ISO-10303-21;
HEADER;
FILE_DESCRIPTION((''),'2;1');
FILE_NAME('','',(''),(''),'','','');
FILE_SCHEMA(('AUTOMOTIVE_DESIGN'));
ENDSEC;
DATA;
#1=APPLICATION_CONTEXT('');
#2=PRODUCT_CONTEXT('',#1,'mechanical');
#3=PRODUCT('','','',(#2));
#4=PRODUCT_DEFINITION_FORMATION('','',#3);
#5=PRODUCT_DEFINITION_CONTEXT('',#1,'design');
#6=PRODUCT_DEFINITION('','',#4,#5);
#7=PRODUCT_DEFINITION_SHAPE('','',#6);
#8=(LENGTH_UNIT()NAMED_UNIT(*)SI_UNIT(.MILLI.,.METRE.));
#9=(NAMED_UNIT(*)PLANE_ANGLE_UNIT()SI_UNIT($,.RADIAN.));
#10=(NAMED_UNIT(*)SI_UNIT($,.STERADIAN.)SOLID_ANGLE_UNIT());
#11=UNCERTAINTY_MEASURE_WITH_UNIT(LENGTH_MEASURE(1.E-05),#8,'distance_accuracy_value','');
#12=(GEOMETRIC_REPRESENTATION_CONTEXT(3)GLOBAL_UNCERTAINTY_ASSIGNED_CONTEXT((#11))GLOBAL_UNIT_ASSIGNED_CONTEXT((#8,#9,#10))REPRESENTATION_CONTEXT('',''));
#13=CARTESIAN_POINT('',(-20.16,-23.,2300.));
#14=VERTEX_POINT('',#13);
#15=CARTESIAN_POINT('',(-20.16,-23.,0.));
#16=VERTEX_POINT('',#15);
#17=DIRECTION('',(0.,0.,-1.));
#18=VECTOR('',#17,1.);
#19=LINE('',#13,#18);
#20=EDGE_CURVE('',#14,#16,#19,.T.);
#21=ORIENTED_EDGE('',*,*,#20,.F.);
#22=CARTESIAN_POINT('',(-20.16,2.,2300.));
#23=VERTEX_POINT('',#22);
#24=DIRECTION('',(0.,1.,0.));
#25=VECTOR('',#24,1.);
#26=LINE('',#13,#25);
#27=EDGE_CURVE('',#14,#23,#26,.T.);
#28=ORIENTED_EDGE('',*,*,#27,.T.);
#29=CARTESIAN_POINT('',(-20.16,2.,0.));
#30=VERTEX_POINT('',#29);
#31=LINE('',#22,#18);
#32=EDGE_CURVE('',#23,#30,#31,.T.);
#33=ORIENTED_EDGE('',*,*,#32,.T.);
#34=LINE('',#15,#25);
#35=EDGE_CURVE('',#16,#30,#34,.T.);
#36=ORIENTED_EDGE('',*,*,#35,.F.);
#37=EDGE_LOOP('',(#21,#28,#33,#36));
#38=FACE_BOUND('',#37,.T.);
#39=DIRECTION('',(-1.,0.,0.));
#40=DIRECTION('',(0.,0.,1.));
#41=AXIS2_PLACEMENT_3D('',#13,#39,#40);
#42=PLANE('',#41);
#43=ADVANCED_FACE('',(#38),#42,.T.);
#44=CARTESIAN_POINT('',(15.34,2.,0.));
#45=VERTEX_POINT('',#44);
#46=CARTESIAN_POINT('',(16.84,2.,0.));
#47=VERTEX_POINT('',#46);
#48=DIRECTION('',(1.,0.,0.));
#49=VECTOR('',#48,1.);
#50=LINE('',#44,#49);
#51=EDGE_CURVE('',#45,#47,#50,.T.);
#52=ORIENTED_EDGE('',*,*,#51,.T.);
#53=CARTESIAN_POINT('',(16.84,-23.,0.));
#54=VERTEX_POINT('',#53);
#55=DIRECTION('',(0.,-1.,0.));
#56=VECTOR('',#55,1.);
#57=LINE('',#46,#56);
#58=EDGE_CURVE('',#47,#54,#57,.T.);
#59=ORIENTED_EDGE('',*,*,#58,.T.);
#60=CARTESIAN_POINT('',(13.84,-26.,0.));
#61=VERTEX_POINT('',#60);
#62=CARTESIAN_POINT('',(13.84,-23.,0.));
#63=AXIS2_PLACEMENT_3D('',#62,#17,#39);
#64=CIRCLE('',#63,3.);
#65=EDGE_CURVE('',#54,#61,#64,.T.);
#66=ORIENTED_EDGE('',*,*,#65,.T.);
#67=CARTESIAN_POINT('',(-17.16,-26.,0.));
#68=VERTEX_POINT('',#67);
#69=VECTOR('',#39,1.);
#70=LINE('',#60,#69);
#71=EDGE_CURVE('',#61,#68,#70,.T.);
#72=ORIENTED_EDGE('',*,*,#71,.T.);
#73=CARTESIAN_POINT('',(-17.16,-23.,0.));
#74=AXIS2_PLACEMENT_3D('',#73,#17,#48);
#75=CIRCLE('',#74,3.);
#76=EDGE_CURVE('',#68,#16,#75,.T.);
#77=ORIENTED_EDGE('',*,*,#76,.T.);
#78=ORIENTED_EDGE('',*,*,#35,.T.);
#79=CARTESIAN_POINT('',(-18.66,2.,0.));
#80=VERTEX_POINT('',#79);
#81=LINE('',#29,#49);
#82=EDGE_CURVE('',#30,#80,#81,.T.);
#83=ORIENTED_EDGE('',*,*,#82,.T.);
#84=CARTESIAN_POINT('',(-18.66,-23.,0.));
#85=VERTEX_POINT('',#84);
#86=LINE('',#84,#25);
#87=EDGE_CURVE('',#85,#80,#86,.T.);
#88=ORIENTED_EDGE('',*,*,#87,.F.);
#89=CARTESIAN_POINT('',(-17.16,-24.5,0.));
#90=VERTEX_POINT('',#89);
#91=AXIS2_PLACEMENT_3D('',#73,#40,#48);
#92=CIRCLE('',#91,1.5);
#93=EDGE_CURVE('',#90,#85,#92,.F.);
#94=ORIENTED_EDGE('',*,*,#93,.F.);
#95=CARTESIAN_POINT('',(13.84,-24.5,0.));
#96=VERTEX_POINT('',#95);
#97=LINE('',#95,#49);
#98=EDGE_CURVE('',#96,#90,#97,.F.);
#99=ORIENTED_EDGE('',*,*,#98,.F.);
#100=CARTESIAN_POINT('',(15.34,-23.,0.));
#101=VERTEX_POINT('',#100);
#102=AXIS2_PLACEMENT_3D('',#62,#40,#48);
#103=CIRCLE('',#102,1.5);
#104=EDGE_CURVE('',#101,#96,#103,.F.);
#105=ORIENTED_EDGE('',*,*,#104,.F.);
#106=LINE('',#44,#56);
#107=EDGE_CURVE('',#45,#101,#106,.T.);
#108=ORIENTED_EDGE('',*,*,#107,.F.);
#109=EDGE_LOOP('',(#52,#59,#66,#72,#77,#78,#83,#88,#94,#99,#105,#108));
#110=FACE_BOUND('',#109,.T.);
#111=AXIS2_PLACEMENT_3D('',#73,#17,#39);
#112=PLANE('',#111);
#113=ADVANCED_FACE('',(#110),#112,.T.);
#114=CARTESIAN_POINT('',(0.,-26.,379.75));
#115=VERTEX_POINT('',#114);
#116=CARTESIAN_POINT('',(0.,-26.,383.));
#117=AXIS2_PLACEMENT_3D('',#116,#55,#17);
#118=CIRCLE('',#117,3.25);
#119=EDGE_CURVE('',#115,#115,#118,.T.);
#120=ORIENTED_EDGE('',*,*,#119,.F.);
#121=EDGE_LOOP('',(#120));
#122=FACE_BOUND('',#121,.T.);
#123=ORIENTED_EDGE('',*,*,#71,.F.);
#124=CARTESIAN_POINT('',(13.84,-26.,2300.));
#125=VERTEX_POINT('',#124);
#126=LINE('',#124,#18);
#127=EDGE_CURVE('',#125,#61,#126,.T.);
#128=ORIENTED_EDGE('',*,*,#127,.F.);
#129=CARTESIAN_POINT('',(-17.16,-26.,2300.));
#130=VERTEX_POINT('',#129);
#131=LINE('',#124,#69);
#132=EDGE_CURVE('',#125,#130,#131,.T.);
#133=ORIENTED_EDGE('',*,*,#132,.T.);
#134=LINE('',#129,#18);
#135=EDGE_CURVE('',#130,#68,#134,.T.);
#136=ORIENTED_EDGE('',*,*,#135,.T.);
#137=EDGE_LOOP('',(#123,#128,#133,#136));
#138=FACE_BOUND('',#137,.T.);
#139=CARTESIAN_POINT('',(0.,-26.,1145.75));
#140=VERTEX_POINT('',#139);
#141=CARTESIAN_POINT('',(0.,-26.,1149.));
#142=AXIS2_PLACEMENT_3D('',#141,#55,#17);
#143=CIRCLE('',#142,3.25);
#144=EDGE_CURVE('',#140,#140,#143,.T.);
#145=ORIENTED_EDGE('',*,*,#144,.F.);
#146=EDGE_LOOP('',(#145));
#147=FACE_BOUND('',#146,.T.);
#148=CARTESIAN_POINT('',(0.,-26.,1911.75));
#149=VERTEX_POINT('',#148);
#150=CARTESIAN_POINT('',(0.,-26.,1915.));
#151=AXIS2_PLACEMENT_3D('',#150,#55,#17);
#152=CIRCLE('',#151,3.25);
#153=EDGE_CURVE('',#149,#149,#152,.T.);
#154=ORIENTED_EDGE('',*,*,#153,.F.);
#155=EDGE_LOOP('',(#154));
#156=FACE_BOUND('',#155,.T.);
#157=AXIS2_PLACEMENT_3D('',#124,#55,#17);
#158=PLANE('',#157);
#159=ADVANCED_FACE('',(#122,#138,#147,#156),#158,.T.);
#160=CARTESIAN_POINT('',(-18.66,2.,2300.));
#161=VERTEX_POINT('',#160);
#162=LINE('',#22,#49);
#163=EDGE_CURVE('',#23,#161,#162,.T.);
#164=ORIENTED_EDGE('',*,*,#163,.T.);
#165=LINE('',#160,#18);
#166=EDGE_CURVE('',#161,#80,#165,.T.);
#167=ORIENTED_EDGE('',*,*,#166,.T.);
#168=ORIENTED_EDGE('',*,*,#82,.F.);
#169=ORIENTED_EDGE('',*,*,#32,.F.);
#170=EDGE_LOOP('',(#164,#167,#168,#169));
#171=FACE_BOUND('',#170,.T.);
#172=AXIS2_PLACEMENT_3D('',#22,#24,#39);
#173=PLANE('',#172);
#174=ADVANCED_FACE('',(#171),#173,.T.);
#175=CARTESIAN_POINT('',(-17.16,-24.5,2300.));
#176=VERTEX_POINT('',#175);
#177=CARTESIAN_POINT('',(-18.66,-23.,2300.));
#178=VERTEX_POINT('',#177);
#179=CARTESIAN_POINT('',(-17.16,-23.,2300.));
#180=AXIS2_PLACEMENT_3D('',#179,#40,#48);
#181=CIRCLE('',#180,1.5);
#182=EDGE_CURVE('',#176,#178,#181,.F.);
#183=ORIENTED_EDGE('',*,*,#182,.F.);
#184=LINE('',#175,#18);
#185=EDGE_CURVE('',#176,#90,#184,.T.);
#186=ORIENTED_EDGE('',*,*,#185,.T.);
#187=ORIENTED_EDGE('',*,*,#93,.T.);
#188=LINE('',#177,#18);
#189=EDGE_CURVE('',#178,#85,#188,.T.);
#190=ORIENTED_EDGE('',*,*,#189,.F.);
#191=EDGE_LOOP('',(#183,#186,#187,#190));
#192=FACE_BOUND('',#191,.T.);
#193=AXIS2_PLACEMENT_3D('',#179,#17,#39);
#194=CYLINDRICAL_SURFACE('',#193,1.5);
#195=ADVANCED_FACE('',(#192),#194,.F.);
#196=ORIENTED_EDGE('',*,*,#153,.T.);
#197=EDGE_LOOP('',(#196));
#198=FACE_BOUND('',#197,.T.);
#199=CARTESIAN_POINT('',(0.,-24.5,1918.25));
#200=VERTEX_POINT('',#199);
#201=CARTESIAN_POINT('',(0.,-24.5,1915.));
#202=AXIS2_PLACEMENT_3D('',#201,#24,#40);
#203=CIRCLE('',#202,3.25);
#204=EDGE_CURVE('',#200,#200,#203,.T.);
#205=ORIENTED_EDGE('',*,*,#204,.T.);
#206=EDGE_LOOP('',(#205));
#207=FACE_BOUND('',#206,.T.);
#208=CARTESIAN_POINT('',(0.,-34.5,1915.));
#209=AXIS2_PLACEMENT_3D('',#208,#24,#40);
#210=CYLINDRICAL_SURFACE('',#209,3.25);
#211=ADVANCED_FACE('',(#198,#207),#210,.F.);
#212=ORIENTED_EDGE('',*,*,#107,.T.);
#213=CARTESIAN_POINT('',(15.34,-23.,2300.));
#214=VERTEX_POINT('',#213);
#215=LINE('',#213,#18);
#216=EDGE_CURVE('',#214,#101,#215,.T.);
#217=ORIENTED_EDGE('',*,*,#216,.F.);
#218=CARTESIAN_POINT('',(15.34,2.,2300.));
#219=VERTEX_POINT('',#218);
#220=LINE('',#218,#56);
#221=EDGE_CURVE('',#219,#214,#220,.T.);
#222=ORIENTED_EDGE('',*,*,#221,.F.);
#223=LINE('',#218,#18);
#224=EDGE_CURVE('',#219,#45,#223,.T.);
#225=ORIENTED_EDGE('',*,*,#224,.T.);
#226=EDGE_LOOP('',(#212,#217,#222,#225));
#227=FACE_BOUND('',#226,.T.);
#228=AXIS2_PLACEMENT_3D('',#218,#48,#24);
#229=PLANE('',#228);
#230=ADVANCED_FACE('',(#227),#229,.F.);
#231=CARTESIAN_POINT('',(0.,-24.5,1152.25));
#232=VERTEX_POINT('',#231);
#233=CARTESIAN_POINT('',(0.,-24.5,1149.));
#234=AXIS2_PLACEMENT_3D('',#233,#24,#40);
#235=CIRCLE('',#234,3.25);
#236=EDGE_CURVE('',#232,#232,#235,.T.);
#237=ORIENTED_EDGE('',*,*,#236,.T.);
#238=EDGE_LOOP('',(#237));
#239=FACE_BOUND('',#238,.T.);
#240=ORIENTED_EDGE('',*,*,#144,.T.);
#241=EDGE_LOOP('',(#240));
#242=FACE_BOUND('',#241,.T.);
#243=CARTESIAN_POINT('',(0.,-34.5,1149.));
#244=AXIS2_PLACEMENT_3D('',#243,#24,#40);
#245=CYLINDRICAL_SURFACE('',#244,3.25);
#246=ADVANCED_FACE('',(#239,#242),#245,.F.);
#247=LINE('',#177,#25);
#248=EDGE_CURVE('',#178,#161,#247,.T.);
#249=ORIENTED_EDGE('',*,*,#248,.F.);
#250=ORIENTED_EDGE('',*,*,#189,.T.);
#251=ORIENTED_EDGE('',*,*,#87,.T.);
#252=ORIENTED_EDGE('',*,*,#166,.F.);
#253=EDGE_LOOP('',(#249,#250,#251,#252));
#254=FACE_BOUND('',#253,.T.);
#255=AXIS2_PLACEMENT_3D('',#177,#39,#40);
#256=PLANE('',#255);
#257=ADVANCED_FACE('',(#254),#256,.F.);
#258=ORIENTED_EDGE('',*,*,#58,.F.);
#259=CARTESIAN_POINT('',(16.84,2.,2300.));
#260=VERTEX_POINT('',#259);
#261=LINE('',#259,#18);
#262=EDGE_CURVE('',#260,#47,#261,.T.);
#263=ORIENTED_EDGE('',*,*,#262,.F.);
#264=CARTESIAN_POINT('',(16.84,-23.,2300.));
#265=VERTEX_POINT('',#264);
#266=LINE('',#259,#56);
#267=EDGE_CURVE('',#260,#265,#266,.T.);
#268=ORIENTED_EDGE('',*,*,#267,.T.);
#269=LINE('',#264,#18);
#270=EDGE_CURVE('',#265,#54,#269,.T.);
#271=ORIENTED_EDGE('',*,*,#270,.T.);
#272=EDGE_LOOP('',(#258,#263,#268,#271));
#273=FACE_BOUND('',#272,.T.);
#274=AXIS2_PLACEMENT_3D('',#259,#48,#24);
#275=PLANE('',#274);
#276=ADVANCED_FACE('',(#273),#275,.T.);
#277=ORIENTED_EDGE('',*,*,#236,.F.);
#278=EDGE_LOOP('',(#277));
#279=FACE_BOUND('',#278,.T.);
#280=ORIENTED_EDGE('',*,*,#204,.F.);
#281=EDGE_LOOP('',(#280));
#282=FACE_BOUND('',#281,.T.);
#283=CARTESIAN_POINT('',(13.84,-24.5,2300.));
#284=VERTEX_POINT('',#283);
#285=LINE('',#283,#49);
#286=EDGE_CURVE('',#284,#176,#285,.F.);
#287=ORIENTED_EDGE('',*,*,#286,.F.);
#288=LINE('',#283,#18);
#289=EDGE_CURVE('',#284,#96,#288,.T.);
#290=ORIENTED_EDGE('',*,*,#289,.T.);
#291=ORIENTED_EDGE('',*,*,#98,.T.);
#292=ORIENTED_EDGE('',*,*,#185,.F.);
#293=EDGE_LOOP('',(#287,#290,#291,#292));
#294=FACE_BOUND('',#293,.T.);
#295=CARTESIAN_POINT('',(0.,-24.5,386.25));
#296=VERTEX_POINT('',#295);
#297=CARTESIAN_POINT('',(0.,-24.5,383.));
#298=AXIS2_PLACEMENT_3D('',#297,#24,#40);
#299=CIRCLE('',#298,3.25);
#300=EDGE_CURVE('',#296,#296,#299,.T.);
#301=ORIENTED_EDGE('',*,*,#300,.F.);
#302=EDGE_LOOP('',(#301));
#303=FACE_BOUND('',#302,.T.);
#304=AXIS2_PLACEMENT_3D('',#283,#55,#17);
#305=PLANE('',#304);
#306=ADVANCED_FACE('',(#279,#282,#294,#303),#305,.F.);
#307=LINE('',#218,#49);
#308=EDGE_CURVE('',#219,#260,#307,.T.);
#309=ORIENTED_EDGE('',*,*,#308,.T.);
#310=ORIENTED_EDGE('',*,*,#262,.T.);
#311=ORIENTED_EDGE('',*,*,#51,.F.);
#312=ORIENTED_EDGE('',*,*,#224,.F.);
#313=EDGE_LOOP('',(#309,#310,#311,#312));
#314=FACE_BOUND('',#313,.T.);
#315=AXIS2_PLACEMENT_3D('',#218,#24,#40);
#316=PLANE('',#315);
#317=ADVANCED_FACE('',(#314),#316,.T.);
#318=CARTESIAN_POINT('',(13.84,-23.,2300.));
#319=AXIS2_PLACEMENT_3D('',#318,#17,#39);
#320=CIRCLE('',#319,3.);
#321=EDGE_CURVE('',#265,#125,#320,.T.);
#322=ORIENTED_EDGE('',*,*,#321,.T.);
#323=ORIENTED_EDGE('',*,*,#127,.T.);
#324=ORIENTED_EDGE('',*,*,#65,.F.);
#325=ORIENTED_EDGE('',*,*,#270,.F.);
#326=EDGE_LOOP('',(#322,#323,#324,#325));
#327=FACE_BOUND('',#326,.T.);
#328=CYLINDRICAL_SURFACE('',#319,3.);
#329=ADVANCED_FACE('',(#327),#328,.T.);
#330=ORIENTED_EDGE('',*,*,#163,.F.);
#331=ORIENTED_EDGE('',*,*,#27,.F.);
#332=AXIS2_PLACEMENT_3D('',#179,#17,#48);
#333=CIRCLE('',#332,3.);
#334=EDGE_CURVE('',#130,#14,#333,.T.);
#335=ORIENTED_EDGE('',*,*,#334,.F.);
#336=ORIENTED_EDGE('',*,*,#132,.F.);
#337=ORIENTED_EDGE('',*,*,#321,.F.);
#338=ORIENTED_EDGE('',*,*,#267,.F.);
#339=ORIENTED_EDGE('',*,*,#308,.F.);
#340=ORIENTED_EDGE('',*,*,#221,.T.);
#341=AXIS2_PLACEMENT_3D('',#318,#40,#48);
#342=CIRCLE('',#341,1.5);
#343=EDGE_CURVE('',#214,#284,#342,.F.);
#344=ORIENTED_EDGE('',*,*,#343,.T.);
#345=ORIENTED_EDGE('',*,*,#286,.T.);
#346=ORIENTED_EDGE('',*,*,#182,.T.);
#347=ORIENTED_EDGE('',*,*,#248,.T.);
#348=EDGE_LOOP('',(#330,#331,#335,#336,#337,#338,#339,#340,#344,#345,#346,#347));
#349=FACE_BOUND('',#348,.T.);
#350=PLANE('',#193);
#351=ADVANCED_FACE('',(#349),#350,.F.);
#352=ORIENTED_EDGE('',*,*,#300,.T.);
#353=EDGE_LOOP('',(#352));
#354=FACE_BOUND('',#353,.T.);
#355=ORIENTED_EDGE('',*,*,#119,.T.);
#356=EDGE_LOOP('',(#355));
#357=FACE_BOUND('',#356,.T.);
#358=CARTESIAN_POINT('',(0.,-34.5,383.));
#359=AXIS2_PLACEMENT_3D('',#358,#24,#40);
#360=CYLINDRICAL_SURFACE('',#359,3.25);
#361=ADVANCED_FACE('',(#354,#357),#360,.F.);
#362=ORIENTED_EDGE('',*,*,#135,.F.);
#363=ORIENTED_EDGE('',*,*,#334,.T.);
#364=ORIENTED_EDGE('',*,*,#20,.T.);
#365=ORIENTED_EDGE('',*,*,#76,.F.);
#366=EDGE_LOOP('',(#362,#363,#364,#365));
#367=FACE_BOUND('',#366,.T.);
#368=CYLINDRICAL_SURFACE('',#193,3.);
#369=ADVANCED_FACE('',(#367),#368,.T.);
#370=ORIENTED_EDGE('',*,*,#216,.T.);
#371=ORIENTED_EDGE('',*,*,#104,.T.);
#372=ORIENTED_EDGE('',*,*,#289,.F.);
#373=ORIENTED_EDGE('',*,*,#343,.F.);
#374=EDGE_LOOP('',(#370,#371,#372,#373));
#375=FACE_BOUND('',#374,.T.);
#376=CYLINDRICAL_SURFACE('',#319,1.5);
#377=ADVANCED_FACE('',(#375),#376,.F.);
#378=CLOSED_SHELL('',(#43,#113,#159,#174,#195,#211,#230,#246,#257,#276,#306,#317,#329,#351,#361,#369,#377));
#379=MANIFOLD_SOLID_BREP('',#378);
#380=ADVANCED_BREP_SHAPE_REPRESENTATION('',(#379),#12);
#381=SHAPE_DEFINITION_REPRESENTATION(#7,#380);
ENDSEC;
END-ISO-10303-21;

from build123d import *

# Parameters (mm, degrees)
EXTRUDE_THIN1_DEPTH = 2300
SKETCH2_R           = 3.25
CUT_EXTRUDE1_DEPTH  = 10
LPATTERN1_COUNT     = 3
LPATTERN1_PITCH     = 766


with BuildPart() as part:
    # Sketch1 → Extrude-Thin1 (new body)
    with BuildSketch(Plane.XY):
        with BuildLine():
            Line((16.84, 2), (16.84, -23))
            ThreePointArc((16.84, -23), (15.961320344, -25.121320344), (13.84, -26))
            Line((13.84, -26), (-17.16, -26))
            ThreePointArc((-17.16, -26), (-19.281320344, -25.121320344), (-20.16, -23))
            Line((-20.16, -23), (-20.16, 2))
            Line((-20.16, 2), (-18.66, 2))
            Line((-18.66, 2), (-18.66, -23))
            ThreePointArc((-18.66, -23), (-18.220660172, -24.060660172), (-17.16, -24.5))
            Line((-17.16, -24.5), (13.84, -24.5))
            ThreePointArc((13.84, -24.5), (14.900660172, -24.060660172), (15.34, -23))
            Line((15.34, -23), (15.34, 2))
            Line((15.34, 2), (16.84, 2))
        make_face()
    extrude(amount=EXTRUDE_THIN1_DEPTH)

    # Sketch2 → Cut-Extrude1 (cut)
    with BuildSketch(Plane(origin=(0, -24.5, 0), x_dir=(1, 0, 0), z_dir=(0, 1, 0))):
        with Locations(Location((0, -383, 0), (0, 0, 270))):
            Circle(SKETCH2_R)
    cut_extrude1 = extrude(amount=-CUT_EXTRUDE1_DEPTH, mode=Mode.SUBTRACT)

    # LPattern1: Cut-Extrude1 ×3
    with Locations(*[(0, 0, i * LPATTERN1_PITCH) for i in range(1, LPATTERN1_COUNT)]):
        add(cut_extrude1, mode=Mode.SUBTRACT)


solid = part.part
